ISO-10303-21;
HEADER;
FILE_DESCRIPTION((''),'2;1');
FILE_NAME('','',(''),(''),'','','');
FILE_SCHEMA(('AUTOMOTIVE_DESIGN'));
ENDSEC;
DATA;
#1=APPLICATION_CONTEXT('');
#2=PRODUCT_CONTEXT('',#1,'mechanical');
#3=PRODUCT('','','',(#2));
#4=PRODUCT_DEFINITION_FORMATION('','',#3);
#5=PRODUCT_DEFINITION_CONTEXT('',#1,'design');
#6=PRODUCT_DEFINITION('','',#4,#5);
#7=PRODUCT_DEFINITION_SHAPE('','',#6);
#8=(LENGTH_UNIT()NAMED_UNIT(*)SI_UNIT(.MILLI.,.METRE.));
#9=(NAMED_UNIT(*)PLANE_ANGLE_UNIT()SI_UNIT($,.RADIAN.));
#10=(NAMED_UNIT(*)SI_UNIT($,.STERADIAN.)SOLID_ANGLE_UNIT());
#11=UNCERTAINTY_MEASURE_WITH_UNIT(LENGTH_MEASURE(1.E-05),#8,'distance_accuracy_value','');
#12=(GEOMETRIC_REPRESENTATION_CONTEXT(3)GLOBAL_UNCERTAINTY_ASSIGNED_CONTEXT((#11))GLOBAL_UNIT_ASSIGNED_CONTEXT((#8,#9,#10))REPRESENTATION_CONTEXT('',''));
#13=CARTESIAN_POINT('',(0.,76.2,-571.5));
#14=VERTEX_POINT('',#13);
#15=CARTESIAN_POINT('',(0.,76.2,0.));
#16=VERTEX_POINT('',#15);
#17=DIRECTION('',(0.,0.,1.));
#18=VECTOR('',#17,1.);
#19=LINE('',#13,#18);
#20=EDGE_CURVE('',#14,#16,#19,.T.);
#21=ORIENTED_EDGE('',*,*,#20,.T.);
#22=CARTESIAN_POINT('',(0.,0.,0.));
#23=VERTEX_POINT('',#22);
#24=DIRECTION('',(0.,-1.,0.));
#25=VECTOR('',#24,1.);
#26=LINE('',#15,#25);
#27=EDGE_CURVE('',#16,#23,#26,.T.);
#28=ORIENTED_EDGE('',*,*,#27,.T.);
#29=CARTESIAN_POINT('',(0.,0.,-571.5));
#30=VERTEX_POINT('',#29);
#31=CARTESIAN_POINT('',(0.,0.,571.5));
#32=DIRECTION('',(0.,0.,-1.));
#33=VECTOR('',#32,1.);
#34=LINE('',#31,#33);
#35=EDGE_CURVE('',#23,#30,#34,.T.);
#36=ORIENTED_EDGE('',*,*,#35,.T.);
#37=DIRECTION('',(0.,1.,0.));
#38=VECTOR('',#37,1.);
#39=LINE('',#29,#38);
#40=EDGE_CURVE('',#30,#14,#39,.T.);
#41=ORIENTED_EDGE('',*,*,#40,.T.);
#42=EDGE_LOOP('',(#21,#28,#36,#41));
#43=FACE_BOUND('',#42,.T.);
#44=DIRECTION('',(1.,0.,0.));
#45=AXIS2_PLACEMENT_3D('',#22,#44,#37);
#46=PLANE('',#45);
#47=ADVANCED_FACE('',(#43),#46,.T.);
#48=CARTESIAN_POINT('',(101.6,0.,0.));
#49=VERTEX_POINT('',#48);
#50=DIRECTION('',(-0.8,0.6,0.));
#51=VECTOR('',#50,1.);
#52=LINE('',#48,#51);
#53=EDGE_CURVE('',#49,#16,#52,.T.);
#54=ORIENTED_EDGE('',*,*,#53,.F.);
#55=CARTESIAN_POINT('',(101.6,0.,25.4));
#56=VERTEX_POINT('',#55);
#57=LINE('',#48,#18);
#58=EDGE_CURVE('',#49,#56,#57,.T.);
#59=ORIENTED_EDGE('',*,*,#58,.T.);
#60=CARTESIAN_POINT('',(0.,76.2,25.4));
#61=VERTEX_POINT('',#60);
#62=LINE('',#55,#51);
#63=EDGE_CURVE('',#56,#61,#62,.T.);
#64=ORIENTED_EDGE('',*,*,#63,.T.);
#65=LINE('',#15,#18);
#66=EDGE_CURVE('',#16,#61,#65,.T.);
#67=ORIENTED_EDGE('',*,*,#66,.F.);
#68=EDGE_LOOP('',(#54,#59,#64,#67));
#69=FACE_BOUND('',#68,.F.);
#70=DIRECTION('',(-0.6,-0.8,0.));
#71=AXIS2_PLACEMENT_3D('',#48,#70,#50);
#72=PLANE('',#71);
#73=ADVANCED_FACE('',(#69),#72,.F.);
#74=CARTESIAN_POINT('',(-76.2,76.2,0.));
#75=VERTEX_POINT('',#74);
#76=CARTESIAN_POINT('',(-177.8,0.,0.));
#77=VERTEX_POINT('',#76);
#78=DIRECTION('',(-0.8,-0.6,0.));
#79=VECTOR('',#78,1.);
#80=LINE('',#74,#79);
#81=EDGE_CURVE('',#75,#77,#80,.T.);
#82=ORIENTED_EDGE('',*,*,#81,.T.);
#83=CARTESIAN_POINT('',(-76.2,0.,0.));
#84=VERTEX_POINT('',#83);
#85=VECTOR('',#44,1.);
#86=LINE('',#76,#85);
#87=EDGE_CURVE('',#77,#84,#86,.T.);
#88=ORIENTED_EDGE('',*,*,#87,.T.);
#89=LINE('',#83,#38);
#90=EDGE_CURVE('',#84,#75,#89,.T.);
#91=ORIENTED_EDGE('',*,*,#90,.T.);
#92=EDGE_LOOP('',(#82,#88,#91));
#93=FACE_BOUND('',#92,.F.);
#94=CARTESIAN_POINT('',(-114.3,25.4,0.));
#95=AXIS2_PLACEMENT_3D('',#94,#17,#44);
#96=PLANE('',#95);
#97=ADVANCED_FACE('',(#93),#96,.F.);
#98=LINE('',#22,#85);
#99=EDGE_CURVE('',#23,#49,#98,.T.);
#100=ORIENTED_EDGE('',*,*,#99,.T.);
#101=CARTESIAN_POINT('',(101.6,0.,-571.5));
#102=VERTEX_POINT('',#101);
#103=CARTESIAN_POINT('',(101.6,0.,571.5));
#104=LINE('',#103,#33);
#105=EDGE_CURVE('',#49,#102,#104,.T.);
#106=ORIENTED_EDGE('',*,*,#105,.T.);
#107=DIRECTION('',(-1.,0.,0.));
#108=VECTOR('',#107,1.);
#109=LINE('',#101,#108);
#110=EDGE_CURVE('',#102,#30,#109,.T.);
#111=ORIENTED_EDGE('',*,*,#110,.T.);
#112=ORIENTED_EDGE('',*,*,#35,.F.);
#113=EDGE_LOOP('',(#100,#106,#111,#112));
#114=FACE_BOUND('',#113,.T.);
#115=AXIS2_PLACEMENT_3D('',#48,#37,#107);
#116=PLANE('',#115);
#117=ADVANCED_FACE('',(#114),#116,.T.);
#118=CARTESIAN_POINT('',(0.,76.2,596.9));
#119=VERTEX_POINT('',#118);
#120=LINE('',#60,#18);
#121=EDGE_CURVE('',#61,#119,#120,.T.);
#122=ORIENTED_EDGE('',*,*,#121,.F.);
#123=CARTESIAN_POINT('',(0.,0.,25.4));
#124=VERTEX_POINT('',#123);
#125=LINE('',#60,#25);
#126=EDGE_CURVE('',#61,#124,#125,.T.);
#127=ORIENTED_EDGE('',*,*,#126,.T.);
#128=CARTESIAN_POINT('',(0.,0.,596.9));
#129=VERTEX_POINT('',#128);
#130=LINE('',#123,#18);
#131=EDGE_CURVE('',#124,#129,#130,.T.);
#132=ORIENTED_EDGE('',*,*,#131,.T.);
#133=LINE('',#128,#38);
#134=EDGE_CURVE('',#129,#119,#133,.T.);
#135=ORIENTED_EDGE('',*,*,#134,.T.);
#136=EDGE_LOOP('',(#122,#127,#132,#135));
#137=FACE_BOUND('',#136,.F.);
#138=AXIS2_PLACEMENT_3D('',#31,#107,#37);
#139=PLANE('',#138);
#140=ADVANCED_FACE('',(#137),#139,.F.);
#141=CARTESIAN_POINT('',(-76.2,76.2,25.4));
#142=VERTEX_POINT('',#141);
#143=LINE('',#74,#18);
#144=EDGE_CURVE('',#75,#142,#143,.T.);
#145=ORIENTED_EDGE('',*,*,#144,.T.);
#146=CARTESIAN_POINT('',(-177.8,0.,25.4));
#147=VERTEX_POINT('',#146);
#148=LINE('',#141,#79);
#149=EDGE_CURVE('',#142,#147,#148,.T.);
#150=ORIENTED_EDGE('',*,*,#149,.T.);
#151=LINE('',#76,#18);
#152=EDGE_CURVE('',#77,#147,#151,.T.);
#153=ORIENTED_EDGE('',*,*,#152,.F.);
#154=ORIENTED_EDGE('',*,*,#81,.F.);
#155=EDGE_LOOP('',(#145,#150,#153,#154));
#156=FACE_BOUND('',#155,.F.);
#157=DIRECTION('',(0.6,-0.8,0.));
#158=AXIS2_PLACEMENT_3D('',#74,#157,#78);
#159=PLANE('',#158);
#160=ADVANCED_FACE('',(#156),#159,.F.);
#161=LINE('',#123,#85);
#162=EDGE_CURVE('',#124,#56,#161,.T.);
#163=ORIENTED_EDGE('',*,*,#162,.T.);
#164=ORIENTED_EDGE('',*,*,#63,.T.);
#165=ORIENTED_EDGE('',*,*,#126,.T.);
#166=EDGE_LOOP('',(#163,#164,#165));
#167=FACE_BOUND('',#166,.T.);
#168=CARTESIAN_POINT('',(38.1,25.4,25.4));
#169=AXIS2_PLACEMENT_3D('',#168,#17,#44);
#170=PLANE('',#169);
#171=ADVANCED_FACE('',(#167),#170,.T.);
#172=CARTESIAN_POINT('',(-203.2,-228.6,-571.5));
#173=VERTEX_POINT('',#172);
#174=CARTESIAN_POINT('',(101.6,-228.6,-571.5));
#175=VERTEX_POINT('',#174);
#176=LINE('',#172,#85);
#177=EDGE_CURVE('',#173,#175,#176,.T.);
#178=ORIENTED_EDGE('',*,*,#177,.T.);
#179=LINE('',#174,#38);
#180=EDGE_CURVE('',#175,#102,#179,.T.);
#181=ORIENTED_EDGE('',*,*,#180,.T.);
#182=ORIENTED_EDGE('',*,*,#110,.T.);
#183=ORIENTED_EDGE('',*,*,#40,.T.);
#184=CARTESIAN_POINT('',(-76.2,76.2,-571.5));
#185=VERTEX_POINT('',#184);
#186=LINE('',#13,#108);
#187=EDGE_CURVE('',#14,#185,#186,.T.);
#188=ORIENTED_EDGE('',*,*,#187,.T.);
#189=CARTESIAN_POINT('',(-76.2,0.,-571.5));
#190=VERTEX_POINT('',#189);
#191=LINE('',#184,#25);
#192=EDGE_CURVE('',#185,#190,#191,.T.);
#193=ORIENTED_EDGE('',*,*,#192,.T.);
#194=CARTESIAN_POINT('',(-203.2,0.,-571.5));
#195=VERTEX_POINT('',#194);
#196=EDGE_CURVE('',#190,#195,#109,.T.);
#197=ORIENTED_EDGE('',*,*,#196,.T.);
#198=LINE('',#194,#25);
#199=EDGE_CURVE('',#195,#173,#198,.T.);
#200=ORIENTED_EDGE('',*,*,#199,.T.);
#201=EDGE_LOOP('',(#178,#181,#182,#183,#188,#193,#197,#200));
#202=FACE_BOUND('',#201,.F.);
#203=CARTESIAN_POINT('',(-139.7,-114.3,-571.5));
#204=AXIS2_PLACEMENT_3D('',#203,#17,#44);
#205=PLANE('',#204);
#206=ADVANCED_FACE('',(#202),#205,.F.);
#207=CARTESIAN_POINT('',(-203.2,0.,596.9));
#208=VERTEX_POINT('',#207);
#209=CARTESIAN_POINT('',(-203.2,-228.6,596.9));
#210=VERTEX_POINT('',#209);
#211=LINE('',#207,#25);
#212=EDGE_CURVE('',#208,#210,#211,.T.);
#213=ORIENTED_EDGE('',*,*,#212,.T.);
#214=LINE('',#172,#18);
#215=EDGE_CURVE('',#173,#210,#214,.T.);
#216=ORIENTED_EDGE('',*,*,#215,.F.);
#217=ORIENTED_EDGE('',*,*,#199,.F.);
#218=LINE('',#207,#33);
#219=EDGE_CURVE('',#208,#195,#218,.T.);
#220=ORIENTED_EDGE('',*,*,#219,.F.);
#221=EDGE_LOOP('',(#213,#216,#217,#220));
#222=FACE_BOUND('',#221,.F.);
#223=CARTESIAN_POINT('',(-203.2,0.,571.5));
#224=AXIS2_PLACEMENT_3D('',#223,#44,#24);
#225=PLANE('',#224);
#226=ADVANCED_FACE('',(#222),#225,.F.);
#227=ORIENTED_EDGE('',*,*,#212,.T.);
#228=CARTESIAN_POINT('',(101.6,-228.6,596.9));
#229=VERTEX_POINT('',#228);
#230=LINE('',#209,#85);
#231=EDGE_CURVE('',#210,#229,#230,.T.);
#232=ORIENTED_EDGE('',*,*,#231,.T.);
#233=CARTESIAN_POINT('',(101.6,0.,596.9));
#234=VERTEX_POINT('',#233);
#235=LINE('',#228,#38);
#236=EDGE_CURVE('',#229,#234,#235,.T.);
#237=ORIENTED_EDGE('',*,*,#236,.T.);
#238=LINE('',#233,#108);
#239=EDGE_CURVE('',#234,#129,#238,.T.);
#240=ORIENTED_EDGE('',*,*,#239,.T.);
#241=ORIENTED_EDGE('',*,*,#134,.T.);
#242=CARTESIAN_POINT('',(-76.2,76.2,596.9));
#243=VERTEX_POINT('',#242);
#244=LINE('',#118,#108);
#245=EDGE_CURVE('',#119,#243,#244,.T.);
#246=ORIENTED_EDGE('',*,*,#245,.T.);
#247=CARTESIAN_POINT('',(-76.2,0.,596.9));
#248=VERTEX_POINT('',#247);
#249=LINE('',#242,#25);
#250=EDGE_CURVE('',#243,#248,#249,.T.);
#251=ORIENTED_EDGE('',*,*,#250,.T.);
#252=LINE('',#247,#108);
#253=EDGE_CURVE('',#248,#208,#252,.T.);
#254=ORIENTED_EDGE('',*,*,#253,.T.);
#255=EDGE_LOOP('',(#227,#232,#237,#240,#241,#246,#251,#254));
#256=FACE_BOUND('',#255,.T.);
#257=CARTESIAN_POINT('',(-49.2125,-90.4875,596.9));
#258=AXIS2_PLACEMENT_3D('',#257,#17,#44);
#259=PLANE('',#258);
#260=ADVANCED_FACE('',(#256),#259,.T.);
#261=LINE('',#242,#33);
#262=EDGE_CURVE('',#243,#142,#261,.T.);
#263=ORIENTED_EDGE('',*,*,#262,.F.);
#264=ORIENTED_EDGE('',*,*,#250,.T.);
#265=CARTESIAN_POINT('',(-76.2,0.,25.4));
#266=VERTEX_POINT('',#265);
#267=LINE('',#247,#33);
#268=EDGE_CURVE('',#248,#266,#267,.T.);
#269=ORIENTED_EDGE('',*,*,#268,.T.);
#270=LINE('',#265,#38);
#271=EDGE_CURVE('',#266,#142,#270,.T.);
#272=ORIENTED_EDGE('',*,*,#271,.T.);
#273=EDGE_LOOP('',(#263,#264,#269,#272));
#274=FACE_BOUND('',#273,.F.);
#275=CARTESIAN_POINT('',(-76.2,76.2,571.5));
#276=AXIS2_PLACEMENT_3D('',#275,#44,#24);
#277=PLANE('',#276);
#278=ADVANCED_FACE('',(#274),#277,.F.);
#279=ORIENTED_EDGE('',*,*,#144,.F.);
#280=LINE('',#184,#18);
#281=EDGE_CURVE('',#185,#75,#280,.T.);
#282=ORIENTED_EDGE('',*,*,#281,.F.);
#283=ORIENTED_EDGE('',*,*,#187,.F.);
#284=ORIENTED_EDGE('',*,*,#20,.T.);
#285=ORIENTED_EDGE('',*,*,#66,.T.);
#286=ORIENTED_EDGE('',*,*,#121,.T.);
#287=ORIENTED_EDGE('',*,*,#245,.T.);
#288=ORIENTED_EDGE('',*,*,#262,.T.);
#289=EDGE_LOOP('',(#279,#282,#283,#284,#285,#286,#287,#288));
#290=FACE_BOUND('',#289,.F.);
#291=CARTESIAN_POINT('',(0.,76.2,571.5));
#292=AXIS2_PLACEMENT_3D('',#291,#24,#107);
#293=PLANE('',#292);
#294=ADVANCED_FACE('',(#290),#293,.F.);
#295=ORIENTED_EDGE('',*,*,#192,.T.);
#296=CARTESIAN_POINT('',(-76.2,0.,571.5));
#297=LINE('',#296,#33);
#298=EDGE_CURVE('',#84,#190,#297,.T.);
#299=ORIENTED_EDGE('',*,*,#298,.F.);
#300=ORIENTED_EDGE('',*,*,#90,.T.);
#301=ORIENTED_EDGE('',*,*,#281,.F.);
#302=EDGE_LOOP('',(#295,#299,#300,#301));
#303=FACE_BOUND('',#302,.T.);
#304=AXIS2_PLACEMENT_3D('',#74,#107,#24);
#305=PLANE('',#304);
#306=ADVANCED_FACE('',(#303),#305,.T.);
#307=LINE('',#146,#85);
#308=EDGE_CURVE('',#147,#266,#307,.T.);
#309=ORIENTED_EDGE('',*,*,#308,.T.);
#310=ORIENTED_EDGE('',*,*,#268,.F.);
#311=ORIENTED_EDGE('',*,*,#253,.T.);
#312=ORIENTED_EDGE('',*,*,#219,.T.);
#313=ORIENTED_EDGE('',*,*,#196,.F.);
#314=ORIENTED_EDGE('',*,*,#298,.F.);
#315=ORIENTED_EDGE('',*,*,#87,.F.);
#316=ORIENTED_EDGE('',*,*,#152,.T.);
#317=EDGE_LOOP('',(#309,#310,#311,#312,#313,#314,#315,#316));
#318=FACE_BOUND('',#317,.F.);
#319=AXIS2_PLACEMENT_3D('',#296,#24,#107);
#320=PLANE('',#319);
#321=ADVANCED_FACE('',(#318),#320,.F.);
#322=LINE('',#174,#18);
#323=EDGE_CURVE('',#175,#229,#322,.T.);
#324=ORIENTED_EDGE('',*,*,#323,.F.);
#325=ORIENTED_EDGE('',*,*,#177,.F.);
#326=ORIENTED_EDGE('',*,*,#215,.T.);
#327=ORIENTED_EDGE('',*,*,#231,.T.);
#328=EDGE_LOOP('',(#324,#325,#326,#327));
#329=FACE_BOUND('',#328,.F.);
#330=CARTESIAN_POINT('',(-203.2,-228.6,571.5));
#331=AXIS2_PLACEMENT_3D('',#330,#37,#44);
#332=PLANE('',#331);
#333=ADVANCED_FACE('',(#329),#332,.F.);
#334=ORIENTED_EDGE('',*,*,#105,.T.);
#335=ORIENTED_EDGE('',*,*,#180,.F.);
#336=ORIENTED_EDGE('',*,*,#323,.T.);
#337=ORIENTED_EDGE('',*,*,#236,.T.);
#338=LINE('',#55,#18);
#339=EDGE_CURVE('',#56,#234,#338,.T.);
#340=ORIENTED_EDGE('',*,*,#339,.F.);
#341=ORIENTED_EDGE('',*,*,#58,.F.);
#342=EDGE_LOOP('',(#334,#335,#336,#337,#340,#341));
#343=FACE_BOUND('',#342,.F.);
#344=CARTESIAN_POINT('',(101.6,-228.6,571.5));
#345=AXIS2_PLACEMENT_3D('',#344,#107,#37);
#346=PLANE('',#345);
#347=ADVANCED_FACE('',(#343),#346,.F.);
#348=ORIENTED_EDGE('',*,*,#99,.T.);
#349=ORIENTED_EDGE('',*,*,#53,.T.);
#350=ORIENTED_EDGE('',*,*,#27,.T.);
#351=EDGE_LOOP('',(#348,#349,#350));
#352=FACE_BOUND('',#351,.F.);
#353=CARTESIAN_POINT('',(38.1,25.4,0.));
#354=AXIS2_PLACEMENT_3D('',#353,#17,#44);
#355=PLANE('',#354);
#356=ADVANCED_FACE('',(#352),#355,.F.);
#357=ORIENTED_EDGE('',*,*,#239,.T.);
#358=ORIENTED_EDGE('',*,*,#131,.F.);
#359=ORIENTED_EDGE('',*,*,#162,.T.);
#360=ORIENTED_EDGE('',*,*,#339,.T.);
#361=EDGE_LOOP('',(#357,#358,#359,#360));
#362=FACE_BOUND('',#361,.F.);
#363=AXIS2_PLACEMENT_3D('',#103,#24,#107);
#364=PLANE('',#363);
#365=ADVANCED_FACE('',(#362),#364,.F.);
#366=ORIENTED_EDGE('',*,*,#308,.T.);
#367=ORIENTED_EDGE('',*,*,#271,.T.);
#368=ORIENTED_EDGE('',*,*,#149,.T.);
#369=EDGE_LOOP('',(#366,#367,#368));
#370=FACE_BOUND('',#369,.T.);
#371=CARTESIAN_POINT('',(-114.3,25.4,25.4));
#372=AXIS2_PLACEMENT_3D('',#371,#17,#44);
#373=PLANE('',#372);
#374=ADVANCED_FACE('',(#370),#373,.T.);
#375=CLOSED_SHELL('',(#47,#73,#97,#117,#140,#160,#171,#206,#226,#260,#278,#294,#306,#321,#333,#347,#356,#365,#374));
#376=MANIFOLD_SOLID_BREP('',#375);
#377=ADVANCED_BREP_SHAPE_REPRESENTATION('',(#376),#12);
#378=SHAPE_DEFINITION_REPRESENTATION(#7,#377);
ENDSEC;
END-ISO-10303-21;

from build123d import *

# Parameters (mm, degrees)
F1_DEPTH = 571.5
F2_DEPTH = 25.4
F3_DEPTH = 571.5
F4_DEPTH = 25.4


with BuildPart() as f1:
    # F0 (on Top) → F1 (new body, symmetric)
    with BuildSketch(Plane.XY):
        Polygon((-50.8, 0), (0, 0), (0, 76.2), (-76.2, 76.2), (-76.2, 0), align=None)
    extrude(amount=F1_DEPTH, both=True)

    # F0 (on Top) → F2 (join)
    with BuildSketch(Plane.XY):
        Polygon((-177.8, 0), (-76.2, 0), (-76.2, 76.2), align=None)
        Polygon((0, 76.2), (0, 0), (101.6, 0), align=None)
    extrude(amount=F2_DEPTH)

    # F0 (on Top) → F3 (join, symmetric)
    with BuildSketch(Plane.XY):
        Polygon((-76.2, -228.6), (-76.2, 0), (-177.8, 0), (-203.2, 0), (-203.2, -228.6), align=None)
        Polygon((101.6, 0), (0, 0), (-50.8, 0), (-76.2, 0), (-76.2, -228.6), (101.6, -228.6), align=None)
    extrude(amount=F3_DEPTH, both=True)

    # F3_face (on face) → F4 (join)
    with BuildSketch(Plane(origin=(-49.823077, -102.576923, 571.5), x_dir=(1, 0, 0), z_dir=(0, 0, 1))):
        Polygon((-153.376923, 102.576923), (-153.376923, -126.023077), (151.423077, -126.023077), (151.423077, 102.576923), (49.823077, 102.576923), (49.823077, 178.776923), (-26.376923, 178.776923), (-26.376923, 102.576923), align=None)
    extrude(amount=F4_DEPTH)


solid = f1.part
